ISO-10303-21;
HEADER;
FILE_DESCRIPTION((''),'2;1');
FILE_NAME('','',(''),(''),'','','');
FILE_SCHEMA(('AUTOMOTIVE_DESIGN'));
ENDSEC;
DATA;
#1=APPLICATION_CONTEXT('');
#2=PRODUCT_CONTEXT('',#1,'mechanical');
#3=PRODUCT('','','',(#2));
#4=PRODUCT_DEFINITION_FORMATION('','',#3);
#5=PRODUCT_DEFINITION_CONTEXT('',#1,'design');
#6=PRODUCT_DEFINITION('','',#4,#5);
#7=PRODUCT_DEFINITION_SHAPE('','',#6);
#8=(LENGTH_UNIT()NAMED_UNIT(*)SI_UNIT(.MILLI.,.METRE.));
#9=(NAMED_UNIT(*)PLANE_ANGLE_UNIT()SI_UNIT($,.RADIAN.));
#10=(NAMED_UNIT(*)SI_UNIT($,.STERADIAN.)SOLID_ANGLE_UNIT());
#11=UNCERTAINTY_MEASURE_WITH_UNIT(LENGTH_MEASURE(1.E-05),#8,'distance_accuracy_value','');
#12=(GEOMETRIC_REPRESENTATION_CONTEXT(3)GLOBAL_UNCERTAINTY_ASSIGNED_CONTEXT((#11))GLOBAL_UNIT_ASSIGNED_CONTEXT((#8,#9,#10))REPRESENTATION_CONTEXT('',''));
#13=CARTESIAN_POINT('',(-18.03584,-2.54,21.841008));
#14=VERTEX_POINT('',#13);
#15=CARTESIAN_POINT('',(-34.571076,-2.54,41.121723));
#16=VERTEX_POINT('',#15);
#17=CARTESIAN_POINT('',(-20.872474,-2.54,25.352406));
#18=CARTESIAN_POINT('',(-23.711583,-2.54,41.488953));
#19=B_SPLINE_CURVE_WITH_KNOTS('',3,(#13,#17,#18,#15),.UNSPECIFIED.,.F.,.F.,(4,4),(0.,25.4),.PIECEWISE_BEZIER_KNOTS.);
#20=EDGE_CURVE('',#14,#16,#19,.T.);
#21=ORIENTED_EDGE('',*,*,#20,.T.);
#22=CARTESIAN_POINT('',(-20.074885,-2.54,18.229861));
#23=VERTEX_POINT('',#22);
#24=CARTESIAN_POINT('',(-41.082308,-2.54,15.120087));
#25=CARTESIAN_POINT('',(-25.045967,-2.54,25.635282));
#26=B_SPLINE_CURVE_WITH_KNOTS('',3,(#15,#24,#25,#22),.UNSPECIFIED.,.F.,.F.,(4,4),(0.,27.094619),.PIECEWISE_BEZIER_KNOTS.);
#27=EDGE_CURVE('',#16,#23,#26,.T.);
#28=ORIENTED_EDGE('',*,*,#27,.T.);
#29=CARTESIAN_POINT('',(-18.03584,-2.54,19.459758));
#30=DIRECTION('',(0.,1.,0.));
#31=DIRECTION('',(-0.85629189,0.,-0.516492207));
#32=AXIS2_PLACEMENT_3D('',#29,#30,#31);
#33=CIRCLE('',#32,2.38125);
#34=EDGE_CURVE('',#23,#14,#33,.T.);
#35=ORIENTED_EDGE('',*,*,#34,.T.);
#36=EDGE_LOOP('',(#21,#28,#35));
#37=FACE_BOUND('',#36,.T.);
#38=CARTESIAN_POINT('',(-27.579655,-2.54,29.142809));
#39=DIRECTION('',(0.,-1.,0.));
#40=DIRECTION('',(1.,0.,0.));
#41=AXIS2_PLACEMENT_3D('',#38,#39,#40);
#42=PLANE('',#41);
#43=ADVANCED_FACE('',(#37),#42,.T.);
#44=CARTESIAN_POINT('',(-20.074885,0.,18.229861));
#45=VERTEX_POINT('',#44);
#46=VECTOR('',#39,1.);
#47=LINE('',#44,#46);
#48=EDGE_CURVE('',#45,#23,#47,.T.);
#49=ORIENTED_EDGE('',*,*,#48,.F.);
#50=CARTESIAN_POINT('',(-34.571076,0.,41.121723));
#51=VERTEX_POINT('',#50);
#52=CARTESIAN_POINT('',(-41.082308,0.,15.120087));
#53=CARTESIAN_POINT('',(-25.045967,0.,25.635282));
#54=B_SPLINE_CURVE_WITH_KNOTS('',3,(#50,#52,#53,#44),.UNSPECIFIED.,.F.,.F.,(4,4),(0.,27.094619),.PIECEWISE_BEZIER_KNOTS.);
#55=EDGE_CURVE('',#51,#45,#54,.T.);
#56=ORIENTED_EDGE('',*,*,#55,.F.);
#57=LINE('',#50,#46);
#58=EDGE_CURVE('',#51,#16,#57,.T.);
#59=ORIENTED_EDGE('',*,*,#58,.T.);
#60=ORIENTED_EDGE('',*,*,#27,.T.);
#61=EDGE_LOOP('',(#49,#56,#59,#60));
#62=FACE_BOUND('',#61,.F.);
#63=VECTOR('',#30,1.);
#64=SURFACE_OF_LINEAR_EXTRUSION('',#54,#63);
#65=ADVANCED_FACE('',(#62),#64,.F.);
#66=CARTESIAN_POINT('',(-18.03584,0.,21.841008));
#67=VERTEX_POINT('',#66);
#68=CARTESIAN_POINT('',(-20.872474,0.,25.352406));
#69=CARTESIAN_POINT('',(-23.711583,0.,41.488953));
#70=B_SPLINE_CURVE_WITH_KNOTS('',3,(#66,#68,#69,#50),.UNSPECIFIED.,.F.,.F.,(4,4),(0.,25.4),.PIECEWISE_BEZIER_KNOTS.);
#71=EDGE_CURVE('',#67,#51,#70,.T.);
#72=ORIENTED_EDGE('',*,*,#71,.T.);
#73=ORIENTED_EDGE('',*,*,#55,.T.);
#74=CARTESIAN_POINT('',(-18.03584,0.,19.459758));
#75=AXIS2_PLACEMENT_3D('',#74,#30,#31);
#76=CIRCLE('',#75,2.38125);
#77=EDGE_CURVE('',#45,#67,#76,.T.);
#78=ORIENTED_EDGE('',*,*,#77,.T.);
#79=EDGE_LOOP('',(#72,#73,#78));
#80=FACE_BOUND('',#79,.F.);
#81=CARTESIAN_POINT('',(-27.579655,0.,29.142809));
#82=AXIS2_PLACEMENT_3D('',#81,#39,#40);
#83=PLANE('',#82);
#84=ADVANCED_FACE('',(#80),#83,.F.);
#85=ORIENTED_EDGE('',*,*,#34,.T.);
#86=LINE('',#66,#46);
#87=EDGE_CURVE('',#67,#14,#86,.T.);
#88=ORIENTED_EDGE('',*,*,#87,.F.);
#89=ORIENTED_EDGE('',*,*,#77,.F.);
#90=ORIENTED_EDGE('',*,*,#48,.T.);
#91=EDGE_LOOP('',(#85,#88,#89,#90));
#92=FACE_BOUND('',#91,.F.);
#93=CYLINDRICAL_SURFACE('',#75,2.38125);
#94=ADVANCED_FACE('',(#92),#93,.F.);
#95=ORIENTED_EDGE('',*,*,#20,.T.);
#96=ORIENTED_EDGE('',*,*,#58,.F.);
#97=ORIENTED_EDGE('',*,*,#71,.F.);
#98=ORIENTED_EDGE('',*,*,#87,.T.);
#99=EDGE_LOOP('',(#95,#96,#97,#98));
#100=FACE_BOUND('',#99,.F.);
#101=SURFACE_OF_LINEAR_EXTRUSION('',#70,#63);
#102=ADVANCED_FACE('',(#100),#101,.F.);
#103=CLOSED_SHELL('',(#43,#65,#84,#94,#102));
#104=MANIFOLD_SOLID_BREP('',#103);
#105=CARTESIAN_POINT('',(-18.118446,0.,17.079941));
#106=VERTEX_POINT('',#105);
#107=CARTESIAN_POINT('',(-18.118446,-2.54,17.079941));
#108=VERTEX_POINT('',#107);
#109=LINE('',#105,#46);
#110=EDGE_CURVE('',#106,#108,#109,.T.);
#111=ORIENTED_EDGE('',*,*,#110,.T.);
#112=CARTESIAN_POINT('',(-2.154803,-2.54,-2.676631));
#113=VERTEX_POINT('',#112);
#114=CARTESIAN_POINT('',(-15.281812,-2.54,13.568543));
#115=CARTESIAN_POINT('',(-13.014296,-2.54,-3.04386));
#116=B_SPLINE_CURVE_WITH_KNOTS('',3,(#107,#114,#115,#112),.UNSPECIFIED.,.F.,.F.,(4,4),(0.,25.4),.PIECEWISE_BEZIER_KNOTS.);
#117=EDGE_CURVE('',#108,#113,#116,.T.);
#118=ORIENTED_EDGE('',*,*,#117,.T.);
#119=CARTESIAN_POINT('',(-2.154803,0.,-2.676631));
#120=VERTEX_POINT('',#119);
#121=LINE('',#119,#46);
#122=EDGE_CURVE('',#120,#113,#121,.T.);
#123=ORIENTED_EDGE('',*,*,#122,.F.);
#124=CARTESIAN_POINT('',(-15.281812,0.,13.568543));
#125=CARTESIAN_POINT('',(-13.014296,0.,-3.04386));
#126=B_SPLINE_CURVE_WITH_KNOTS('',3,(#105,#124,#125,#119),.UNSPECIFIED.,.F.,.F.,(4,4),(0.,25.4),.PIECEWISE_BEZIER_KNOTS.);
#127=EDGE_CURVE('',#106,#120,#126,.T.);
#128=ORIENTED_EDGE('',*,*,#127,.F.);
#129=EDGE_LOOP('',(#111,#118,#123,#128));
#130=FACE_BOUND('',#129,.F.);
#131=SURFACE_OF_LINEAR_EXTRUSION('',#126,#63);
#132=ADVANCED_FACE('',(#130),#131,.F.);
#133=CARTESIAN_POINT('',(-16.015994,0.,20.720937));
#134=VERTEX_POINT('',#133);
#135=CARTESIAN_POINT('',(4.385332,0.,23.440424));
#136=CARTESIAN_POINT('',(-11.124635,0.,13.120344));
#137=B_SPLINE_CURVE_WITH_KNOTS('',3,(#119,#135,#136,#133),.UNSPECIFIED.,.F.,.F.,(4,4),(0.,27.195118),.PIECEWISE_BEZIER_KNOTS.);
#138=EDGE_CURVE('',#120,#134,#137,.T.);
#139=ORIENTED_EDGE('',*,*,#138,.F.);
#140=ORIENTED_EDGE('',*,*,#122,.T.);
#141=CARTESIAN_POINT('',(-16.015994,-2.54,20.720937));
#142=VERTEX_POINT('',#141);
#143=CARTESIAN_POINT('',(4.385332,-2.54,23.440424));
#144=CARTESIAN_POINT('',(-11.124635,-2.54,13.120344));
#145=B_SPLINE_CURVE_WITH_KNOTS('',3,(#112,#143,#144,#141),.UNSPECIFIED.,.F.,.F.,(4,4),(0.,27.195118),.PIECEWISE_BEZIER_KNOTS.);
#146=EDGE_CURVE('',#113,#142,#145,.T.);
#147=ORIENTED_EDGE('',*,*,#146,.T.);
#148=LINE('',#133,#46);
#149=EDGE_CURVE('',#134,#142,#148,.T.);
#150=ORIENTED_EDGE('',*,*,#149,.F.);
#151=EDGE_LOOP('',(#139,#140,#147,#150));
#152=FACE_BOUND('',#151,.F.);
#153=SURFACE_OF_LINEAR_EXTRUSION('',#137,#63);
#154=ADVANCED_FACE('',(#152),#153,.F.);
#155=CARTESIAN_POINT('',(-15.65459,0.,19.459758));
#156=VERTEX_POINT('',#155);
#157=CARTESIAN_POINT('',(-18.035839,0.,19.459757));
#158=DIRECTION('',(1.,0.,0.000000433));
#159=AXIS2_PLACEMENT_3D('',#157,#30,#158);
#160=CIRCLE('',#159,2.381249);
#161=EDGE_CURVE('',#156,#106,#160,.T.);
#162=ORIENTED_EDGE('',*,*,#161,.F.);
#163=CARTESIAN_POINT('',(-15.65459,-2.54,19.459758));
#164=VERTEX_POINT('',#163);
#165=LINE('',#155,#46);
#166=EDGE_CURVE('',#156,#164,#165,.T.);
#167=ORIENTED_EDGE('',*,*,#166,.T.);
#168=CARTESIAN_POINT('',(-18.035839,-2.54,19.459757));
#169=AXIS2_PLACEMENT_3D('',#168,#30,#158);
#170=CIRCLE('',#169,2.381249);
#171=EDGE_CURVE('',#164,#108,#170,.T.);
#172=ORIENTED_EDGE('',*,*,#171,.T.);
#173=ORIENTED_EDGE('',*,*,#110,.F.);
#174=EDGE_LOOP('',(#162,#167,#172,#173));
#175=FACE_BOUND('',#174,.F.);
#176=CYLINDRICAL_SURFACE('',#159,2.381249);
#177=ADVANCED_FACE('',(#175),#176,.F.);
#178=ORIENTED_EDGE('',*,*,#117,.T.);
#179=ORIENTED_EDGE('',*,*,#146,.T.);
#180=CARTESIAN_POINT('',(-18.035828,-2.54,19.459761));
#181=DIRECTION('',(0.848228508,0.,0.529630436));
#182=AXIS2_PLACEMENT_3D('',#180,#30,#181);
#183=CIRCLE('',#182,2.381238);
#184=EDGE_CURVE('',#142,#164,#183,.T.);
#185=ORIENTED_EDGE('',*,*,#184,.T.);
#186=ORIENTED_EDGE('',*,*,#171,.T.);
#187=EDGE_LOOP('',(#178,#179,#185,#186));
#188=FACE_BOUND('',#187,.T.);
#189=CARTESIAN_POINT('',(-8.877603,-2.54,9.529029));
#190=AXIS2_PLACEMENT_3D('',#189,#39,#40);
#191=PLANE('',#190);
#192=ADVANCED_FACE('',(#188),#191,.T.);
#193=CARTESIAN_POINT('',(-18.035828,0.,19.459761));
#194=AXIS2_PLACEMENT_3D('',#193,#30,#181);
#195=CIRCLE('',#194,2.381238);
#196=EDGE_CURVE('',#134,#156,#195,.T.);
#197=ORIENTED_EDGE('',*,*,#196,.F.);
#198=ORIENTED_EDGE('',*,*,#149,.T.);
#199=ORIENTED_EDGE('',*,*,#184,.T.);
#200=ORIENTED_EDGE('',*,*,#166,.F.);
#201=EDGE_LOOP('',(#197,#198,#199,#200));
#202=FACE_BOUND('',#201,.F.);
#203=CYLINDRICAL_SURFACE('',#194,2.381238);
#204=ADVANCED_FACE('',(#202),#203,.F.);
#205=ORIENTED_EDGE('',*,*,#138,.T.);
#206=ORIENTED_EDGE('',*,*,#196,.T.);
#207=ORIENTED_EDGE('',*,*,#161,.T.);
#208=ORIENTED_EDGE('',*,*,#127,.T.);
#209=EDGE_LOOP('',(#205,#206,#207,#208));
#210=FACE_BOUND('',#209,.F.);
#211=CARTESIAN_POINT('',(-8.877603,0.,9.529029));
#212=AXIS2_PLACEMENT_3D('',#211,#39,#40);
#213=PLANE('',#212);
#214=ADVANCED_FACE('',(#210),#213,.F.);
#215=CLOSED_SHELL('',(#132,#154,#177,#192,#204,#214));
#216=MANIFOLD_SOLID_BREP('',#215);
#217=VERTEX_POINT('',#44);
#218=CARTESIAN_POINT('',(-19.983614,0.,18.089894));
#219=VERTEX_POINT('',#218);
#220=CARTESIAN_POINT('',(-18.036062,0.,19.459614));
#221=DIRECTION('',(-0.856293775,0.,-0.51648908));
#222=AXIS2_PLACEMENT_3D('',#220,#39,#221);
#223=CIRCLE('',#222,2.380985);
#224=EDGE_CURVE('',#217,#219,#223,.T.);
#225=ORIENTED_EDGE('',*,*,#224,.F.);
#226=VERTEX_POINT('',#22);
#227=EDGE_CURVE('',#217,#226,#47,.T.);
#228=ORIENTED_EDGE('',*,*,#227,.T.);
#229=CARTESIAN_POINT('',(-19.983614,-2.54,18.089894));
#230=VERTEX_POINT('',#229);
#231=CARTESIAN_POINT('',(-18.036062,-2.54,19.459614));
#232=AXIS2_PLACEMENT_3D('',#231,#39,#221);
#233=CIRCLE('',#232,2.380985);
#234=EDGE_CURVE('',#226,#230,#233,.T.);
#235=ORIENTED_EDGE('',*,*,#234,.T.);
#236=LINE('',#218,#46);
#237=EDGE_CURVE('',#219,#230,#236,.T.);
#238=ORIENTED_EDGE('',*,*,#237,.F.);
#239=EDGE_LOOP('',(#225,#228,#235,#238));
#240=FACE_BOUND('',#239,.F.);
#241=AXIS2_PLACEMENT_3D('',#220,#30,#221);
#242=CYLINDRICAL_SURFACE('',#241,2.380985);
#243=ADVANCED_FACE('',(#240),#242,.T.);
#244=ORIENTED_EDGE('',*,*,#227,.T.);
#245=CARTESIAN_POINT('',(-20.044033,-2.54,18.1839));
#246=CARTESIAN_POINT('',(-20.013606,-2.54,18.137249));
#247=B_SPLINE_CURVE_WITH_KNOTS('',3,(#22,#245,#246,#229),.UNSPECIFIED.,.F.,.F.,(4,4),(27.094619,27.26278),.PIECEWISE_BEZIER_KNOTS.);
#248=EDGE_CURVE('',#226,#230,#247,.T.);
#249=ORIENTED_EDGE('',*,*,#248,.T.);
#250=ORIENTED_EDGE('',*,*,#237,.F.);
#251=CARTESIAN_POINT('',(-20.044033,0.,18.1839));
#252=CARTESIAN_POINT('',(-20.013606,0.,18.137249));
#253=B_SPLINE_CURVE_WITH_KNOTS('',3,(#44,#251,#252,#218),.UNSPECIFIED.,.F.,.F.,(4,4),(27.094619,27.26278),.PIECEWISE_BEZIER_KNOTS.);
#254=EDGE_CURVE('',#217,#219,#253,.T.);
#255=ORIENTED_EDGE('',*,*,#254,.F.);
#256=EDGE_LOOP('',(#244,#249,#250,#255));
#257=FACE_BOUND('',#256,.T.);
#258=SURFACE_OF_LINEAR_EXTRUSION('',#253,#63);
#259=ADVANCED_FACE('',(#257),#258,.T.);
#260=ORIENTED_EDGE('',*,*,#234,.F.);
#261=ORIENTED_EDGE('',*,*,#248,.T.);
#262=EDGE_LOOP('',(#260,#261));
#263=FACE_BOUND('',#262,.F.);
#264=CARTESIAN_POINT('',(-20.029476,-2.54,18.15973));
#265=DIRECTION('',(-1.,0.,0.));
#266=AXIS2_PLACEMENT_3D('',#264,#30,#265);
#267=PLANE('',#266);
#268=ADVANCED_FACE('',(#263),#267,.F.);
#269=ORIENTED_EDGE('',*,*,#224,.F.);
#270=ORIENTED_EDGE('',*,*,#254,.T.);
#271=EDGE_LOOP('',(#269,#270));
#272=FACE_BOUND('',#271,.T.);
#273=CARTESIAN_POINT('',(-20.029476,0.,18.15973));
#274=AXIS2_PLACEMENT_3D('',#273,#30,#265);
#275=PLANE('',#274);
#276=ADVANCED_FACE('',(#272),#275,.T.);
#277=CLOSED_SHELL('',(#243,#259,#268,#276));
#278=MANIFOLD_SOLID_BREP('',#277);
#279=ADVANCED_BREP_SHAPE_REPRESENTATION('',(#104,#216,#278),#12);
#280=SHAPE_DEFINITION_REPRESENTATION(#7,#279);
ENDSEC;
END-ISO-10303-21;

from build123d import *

# Parameters (mm, degrees)
F1_DEPTH = 2.54


with BuildPart() as f1:
    # F0 (on Front) → F1 (new body)
    with BuildSketch(Plane.XZ):
        with BuildLine():
            ThreePointArc((-20.074885, 18.229861), (-20.109369, 20.630582), (-18.03584, 21.841008))
            add(Edge.make_bspline(
                [(-18.03584, 21.841008), (-20.872474, 25.352406), (-23.711583, 41.488953), (-34.571076, 41.121723)],
                knots=[0, 0, 0, 0, 25.4, 25.4, 25.4, 25.4], degree=3))
            add(Edge.make_bspline(
                [(-34.571076, 41.121723), (-41.082308, 15.120087), (-25.045967, 25.635282), (-20.074885, 18.229861)],
                knots=[0, 0, 0, 0, 27.094619, 27.094619, 27.094619, 27.094619], degree=3))
        make_face()
        with BuildLine():
            add(Edge.make_bspline(
                [(-20.074885, 18.229861), (-20.044033, 18.1839), (-20.013606, 18.137249), (-19.983614, 18.089894)],
                knots=[27.094619, 27.094619, 27.094619, 27.094619, 27.26278, 27.26278, 27.26278, 27.26278], degree=3))
            ThreePointArc((-20.074885, 18.229861), (-20.030478, 18.159077), (-19.983614, 18.089894))
        make_face()
        with BuildLine():
            add(Edge.make_bspline(
                [(-2.154803, -2.676631), (4.385332, 23.440424), (-11.124635, 13.120344), (-16.015994, 20.720937)],
                knots=[0, 0, 0, 0, 27.195118, 27.195118, 27.195118, 27.195118], degree=3))
            ThreePointArc((-16.015994, 20.720937), (-15.746723, 20.115728), (-15.65459, 19.459758))
            ThreePointArc((-15.65459, 19.459758), (-16.381505, 17.747003), (-18.118446, 17.079941))
            add(Edge.make_bspline(
                [(-18.118446, 17.079941), (-15.281812, 13.568543), (-13.014296, -3.04386), (-2.154803, -2.676631)],
                knots=[0, 0, 0, 0, 25.4, 25.4, 25.4, 25.4], degree=3))
        make_face()
    extrude(amount=F1_DEPTH)


solid = f1.part
